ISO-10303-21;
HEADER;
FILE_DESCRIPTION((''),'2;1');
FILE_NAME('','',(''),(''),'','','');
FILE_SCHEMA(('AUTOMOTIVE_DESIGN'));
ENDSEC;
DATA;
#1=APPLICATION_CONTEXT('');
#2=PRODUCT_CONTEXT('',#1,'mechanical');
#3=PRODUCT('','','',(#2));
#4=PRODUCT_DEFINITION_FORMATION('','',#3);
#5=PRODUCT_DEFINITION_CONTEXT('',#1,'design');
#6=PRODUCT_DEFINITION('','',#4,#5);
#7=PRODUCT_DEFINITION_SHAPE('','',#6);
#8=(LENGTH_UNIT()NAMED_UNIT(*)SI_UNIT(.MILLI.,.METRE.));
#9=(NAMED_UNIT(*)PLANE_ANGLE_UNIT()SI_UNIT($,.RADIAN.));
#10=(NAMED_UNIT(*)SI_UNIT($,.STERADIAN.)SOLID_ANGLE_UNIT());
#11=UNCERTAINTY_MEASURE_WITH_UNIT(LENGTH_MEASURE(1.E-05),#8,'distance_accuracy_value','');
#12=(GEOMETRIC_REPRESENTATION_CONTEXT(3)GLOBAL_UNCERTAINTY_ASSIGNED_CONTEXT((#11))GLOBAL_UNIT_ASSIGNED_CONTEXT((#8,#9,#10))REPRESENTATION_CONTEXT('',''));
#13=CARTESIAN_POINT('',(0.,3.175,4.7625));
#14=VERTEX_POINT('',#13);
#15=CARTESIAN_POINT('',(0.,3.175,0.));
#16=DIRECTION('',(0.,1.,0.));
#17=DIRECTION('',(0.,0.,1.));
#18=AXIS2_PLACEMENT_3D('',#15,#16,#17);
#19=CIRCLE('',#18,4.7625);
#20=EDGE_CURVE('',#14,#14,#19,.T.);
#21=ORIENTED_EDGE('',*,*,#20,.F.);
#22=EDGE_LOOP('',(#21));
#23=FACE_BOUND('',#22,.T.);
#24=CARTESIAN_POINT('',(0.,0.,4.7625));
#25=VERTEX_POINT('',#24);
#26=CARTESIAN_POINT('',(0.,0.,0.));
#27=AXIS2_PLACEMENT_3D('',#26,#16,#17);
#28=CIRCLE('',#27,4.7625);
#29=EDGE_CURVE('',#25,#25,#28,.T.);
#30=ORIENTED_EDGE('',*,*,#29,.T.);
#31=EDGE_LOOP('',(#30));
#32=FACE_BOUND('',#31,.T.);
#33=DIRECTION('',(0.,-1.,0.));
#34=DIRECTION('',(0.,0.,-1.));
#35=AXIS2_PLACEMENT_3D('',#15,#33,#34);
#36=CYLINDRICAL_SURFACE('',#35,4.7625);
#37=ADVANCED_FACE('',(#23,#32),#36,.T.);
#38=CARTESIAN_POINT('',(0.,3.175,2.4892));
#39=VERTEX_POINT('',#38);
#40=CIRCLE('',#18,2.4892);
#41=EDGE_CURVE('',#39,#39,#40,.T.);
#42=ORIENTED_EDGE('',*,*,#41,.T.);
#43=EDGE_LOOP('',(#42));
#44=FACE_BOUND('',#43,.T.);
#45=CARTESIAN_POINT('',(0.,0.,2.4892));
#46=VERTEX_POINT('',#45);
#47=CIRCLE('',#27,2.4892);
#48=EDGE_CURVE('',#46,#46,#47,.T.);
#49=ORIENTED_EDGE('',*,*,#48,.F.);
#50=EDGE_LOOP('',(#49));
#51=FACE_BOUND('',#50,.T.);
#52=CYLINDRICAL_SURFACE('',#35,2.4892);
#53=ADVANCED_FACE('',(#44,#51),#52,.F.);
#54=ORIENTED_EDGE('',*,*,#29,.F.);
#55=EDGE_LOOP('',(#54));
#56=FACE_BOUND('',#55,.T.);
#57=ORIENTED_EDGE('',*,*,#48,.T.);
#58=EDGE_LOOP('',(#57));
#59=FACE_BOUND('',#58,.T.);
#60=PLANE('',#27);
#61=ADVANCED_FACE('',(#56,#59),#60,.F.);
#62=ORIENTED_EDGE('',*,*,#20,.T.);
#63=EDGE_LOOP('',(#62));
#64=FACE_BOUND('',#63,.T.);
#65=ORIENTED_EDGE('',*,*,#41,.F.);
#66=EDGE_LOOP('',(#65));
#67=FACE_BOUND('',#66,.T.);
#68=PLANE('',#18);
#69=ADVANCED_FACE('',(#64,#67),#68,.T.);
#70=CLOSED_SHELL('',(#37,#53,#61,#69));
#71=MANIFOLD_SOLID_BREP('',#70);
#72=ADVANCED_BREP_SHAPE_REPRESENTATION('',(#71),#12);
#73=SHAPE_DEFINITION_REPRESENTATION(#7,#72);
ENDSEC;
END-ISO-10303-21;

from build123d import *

# Parameters (mm, degrees)
SKETCH1_R           = 4.7625
SKETCH1_R_2         = 2.4892
BOSS_EXTRUDE1_DEPTH = 3.175


with BuildPart() as part:
    # Sketch1 → Boss-Extrude1 (new body)
    with BuildSketch(Plane(origin=(0, 0, 0), x_dir=(1, 0, 0), z_dir=(0, 1, 0))):
        Circle(SKETCH1_R)
        Circle(SKETCH1_R_2, mode=Mode.SUBTRACT)
    extrude(amount=BOSS_EXTRUDE1_DEPTH)


solid = part.part
